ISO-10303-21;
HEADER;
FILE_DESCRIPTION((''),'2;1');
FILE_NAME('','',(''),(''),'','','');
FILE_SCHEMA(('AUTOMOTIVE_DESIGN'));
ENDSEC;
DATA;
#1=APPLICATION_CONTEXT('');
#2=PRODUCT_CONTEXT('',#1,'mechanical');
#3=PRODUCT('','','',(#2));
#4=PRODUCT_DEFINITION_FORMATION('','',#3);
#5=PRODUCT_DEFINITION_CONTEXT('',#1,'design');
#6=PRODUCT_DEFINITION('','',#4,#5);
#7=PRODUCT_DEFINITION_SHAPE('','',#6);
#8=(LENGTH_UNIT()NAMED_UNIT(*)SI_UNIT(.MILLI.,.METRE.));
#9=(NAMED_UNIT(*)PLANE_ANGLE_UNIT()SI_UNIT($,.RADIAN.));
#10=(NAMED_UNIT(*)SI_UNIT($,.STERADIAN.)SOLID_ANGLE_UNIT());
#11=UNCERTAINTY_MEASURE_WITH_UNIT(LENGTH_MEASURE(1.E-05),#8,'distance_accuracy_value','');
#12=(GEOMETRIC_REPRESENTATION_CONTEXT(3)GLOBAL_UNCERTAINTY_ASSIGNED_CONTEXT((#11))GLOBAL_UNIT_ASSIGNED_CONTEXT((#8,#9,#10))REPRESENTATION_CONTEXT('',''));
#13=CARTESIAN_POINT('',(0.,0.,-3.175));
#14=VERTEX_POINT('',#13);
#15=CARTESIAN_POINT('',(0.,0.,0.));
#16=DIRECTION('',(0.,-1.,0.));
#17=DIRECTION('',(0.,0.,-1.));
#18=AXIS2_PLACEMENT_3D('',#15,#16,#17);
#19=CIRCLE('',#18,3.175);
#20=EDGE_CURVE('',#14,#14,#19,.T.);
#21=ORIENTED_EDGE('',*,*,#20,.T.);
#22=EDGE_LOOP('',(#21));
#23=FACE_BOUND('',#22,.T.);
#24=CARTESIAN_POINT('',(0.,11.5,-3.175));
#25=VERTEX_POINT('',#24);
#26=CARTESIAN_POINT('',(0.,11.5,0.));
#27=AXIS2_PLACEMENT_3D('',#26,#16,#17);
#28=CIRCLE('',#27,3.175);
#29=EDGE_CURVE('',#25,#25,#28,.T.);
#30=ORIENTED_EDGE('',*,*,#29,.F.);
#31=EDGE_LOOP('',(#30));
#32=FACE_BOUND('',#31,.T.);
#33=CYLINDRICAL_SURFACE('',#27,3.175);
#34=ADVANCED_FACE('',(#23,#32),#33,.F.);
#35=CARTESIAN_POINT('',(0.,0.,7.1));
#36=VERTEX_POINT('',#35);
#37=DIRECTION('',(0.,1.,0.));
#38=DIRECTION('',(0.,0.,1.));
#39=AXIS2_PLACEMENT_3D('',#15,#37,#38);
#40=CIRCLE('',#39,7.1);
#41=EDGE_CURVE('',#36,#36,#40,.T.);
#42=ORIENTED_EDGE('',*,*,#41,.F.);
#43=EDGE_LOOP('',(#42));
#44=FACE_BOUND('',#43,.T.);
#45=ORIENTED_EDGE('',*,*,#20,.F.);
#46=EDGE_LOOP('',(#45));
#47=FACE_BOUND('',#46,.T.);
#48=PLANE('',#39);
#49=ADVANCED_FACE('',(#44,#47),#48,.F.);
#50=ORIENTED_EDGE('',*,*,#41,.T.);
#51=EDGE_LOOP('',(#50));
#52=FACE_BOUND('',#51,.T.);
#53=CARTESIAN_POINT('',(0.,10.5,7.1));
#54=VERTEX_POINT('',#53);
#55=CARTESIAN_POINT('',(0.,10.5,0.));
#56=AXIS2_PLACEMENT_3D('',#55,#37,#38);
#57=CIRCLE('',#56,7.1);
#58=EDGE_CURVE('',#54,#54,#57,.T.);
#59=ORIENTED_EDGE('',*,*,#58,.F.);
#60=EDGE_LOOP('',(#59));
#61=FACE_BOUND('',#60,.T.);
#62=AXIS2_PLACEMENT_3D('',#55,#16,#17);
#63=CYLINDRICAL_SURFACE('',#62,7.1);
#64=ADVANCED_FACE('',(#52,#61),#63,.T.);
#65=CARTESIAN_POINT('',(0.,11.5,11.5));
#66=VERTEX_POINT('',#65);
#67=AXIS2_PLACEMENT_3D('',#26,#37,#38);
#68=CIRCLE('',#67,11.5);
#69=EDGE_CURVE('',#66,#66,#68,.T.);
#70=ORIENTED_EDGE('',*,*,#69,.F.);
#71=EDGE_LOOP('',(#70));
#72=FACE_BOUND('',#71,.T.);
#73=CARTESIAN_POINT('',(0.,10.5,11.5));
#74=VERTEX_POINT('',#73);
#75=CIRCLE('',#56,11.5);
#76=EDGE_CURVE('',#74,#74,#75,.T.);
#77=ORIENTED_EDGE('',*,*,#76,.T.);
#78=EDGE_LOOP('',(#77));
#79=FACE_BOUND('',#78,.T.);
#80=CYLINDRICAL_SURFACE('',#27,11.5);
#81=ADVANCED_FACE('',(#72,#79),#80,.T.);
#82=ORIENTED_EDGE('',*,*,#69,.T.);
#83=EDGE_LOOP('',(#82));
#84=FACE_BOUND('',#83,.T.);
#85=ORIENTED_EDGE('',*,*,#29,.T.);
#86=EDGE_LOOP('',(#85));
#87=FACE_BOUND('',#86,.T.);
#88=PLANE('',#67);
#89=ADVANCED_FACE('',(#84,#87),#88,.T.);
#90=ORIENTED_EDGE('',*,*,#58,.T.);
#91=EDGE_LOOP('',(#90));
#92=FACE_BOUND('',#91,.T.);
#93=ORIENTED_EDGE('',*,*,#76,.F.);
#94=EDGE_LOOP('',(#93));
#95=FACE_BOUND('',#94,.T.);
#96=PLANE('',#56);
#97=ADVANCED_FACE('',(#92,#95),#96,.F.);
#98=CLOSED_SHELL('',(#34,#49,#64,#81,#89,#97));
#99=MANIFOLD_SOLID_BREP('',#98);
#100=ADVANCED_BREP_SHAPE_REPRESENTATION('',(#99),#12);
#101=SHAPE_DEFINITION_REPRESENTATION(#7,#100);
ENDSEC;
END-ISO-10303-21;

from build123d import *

# Parameters (mm, degrees)
SKETCH1_R           = 7.1
BOSS_EXTRUDE1_DEPTH = 10.5
SKETCH2_R           = 11.5
BOSS_EXTRUDE2_DEPTH = 1
SKETCH3_R           = 3.175
CUT_EXTRUDE1_DEPTH  = 12.5


with BuildPart() as part:
    # Sketch1 → Boss-Extrude1 (new body)
    with BuildSketch(Plane(origin=(0, 0, 0), x_dir=(1, 0, 0), z_dir=(0, 1, 0))):
        Circle(SKETCH1_R)
    extrude(amount=BOSS_EXTRUDE1_DEPTH)

    # Sketch2 → Boss-Extrude2 (add)
    with BuildSketch(Plane(origin=(0, 10.5, 0), x_dir=(1, 0, 0), z_dir=(0, 1, 0))):
        Circle(SKETCH2_R)
    extrude(amount=BOSS_EXTRUDE2_DEPTH)

    # Sketch3 → Cut-Extrude1 (cut, through all)
    with BuildSketch(Plane.XZ):
        Circle(SKETCH3_R)
    extrude(amount=-CUT_EXTRUDE1_DEPTH, mode=Mode.SUBTRACT)


solid = part.part
